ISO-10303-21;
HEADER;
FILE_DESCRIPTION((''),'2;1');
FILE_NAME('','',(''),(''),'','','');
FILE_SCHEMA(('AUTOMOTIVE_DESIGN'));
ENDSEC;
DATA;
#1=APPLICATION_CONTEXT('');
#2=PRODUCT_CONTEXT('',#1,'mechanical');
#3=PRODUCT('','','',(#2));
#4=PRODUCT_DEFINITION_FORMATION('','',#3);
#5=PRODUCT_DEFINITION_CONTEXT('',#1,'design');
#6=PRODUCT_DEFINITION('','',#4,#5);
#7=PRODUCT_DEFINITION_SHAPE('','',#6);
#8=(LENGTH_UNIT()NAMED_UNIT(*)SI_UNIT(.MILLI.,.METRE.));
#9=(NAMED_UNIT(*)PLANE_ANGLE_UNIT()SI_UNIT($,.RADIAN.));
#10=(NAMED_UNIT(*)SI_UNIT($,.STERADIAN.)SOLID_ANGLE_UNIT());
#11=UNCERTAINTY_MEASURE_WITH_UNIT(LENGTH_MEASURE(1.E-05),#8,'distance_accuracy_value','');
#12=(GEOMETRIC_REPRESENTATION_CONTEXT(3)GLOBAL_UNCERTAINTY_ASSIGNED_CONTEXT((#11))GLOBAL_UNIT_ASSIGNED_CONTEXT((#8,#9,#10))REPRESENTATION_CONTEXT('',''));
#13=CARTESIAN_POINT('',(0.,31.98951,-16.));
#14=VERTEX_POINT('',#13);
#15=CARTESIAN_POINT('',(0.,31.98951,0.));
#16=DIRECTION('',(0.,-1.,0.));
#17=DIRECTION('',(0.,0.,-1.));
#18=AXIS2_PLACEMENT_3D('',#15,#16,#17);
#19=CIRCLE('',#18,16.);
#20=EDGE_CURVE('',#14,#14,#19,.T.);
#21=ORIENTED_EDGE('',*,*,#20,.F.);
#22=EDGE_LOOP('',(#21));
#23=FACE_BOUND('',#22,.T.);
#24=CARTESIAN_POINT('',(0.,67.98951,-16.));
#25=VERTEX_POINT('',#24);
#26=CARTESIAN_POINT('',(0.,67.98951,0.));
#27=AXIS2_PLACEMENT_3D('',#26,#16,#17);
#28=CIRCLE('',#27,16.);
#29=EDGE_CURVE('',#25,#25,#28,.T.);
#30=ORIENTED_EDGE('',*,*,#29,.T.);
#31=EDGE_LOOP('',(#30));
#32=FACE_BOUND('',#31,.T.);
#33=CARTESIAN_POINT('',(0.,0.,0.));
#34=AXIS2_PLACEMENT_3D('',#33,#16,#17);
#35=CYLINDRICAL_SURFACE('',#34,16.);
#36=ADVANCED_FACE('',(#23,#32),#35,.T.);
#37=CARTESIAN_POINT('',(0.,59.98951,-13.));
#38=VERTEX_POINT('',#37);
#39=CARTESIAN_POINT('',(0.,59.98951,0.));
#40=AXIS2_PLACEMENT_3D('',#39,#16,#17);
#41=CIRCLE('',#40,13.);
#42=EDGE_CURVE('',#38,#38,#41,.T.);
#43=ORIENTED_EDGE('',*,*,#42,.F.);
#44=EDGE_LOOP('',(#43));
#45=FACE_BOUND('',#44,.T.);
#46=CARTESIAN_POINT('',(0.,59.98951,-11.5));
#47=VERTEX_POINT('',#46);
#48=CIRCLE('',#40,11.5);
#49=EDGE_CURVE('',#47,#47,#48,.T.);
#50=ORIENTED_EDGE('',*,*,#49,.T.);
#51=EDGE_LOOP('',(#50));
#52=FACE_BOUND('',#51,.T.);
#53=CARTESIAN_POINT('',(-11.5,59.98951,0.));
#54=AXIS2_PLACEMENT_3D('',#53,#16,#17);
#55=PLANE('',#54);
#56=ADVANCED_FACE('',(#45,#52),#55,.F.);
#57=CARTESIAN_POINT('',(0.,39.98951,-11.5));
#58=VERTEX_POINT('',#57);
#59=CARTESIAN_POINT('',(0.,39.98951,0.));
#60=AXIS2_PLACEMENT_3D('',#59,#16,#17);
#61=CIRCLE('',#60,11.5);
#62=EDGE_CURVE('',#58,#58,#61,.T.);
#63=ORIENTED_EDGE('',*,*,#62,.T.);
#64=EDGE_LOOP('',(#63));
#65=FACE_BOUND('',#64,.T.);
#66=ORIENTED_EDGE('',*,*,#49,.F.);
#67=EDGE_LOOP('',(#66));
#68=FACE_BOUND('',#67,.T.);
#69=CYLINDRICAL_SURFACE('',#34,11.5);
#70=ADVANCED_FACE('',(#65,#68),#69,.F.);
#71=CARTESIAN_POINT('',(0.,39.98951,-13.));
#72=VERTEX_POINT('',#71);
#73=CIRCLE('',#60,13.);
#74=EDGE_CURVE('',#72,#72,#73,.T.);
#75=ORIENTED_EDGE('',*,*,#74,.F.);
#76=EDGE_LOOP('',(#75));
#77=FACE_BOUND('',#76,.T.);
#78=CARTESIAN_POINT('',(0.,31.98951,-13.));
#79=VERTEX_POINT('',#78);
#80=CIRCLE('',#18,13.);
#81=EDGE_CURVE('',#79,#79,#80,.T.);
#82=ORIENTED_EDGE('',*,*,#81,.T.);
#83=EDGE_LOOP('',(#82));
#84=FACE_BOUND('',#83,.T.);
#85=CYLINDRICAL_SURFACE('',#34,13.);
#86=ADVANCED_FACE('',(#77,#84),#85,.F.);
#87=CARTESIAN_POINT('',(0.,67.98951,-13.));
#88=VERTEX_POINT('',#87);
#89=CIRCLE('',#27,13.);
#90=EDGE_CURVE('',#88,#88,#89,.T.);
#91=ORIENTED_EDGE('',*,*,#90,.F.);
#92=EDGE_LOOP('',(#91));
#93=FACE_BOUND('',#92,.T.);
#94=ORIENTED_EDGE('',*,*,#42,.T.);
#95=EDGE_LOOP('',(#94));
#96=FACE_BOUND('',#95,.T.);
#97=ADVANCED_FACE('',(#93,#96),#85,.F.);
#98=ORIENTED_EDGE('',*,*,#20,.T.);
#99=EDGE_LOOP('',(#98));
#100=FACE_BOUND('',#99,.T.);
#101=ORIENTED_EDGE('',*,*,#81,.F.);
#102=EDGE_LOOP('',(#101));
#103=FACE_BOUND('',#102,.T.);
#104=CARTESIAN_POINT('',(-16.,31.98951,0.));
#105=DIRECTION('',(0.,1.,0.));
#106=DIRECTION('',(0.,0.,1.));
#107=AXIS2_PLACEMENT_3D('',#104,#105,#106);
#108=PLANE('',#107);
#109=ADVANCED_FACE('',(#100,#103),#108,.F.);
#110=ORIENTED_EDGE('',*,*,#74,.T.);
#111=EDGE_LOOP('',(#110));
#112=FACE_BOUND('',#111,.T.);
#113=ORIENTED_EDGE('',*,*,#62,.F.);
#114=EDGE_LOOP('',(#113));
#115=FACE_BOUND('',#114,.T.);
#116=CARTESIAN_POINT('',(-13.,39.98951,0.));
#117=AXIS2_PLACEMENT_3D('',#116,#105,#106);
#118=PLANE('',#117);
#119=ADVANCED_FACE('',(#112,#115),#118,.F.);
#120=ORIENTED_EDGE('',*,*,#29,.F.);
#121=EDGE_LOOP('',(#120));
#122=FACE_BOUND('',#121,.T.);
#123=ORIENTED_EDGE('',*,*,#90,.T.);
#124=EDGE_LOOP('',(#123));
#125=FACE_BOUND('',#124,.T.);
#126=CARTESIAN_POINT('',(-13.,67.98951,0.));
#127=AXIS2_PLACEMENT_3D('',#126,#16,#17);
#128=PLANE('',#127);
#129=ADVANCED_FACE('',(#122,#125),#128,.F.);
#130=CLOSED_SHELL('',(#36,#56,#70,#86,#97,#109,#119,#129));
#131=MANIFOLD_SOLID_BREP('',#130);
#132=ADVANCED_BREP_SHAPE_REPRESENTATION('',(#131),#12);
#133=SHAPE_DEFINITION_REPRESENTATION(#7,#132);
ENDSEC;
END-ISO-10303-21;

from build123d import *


with BuildPart() as part:
    # Croquis1 → Revolución1 (revolve)
    with BuildSketch(Plane.XY, mode=Mode.PRIVATE) as revoluci_n1_sk:
        Polygon((-13, 67.989509587), (-16, 67.989509587), (-16, 31.989509587), (-13, 31.989509587), (-13, 39.989509587), (-11.5, 39.989509587), (-11.5, 59.989509587), (-13, 59.989509587), align=None)
    revolve(revoluci_n1_sk.sketch.rotate(Axis((0, 0, 0), (0, 1, 0)), 270), axis=Axis((0, 0, 0), (0, 1, 0)))


solid = part.part
